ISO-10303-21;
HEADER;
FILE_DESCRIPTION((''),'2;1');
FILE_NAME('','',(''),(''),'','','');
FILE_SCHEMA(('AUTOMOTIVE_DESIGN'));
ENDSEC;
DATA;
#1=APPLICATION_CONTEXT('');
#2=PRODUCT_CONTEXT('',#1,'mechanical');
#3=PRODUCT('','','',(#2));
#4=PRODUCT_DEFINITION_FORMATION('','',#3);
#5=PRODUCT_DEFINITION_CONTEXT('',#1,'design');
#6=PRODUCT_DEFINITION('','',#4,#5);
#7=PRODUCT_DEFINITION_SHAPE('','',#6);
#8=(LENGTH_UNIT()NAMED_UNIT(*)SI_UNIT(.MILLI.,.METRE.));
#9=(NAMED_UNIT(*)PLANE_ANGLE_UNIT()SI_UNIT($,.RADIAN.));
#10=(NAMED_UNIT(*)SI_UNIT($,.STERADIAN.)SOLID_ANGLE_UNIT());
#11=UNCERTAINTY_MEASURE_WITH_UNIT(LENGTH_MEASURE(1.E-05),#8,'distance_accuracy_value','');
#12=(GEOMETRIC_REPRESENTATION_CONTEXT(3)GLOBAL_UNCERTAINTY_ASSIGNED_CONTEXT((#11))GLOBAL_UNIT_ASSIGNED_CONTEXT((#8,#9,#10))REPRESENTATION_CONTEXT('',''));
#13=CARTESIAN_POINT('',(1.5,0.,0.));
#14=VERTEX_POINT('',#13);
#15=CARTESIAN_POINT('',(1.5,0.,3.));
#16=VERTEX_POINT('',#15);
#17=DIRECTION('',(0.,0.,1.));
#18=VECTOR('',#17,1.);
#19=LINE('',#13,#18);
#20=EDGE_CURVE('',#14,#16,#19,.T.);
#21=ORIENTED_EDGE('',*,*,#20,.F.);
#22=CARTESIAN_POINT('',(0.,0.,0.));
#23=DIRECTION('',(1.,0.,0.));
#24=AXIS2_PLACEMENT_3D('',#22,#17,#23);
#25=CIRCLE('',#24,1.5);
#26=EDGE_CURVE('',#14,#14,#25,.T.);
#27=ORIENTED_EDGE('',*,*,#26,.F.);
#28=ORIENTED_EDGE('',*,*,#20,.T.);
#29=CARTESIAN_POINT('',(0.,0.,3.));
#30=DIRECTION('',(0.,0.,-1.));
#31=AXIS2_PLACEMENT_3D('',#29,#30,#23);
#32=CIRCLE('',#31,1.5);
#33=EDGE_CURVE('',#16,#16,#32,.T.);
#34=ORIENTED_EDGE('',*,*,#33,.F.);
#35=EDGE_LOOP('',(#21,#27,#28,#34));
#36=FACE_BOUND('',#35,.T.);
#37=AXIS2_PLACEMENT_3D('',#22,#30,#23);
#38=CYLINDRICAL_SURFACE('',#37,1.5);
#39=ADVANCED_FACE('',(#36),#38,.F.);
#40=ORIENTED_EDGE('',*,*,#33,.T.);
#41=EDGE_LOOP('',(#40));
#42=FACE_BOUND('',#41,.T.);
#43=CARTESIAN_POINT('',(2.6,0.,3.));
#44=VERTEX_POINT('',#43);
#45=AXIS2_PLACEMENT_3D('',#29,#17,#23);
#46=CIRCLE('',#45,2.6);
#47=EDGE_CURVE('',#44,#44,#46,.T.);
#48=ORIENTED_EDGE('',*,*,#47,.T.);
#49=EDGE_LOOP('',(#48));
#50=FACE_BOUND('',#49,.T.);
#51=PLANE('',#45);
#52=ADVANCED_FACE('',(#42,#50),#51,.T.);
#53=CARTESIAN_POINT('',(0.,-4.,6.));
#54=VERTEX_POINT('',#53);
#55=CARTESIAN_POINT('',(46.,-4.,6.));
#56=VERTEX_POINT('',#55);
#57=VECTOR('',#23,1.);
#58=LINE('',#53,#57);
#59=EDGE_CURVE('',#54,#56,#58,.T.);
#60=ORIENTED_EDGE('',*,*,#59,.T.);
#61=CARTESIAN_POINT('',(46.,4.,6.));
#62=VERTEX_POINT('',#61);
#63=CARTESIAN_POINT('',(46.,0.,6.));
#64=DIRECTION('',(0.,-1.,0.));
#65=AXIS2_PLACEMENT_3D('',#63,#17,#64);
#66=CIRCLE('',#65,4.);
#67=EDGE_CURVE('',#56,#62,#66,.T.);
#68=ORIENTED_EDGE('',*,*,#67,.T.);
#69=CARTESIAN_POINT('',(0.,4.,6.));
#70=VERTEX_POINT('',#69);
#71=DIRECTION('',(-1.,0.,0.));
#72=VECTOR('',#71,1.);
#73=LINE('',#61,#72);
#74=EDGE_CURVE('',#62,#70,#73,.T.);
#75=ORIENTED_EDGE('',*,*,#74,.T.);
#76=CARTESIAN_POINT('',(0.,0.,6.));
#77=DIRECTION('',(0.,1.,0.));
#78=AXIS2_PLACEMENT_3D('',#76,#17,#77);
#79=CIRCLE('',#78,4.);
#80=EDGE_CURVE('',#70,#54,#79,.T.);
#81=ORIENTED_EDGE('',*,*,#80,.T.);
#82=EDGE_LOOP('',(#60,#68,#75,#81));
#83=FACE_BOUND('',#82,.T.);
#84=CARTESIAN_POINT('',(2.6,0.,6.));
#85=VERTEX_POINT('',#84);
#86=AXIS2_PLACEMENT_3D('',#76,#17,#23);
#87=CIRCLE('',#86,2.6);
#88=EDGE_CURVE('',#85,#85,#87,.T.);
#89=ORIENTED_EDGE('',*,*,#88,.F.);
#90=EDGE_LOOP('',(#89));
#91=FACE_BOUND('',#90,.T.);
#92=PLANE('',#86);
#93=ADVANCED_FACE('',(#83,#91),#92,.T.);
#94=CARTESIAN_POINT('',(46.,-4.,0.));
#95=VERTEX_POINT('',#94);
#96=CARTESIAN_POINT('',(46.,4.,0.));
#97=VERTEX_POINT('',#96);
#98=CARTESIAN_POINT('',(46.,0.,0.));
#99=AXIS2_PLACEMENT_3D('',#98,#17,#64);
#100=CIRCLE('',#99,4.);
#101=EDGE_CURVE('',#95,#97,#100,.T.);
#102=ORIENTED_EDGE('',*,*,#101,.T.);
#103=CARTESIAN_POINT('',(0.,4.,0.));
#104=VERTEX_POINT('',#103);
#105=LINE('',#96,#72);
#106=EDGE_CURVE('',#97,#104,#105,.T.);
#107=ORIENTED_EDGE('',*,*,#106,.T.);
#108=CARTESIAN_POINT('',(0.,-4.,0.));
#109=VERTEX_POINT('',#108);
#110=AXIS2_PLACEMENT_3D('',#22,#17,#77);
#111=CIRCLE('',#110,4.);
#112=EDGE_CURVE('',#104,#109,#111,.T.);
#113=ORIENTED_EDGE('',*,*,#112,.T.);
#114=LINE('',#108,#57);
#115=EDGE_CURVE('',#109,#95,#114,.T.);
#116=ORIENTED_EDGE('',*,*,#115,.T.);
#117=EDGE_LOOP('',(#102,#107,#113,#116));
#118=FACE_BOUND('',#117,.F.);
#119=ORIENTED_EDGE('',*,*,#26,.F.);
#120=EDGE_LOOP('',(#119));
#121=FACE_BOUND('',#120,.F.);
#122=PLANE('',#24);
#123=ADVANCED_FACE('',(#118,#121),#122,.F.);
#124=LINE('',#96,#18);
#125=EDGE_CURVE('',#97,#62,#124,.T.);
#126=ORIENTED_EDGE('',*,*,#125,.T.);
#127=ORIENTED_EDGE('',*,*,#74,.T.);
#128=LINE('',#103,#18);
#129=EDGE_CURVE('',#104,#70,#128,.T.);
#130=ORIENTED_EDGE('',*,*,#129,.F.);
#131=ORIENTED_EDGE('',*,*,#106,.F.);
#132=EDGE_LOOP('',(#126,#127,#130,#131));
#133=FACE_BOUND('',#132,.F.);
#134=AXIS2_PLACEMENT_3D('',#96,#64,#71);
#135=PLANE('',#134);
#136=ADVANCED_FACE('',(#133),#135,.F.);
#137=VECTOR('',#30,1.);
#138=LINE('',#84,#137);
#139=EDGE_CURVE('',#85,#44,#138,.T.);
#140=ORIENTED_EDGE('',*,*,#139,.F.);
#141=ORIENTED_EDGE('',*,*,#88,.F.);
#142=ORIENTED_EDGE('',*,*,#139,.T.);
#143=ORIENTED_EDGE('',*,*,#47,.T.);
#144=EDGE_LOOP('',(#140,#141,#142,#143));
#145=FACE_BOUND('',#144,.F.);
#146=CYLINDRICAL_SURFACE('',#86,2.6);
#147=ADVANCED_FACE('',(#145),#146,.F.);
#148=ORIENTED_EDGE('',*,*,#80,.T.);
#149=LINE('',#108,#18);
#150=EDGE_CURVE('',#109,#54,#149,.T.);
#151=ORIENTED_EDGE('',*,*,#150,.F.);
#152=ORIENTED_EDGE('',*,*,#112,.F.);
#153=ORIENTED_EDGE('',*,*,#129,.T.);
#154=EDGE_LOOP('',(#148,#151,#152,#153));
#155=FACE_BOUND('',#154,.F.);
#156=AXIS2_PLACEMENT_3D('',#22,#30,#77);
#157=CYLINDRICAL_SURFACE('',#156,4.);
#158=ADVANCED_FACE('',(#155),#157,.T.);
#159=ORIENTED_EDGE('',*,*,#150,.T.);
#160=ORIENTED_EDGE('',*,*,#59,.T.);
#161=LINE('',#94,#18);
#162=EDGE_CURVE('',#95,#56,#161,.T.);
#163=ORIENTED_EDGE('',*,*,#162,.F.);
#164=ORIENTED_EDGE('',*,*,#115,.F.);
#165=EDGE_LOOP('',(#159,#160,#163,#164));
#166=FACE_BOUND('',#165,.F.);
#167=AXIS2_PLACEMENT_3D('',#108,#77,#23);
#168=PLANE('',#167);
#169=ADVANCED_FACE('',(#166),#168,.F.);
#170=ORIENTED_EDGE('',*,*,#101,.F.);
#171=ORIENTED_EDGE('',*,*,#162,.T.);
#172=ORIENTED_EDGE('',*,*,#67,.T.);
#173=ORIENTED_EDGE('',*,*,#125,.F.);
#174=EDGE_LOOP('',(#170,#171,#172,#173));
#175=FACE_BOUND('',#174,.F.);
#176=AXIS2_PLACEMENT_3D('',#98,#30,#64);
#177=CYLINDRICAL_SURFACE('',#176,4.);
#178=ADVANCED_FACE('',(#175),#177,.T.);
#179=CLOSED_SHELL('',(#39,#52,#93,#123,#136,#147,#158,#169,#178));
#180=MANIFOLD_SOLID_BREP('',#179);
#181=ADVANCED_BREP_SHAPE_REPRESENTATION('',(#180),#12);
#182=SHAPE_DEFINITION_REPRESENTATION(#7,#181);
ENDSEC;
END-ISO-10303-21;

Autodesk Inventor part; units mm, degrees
ref_plane "YZ Plane" through (0, 0, 0) normal (1, 0, 0) x (0, 1, 0)
ref_plane "XZ Plane" through (0, 0, 0) normal (0, 1, 0) x (-1, 0, 0)
ref_plane "XY Plane" through (0, 0, 0) normal (0, 0, 1) x (1, 0, 0)
sketch "Sketch1" plane through (0, 0, 0) normal (0, 0, 1) x (1, 0, 0)
  line L0 (0, 0) -> (46, 0) construction
  line L1 (0, -4) -> (46, -4)
  line L2 (46, 4) -> (0, 4)
  arc A0 (0, 4) -> (0, -4) centre (0, 0) ccw
  arc A1 (46, -4) -> (46, 4) centre (46, 0) ccw
  circle A2 centre (0, 0) radius 1.5
  point P0 (23, 0)
  dimension "d0" = 46
  dimension "d1" = 3
extrude "Extrusion1" add sketch "Sketch1" along normal blind 6
sketch "Sketch2" plane through (0, 0, 6) normal (0, 0, 1) x (1, 0, 0)
  circle A0 centre (0, 0) radius 2.6
  dimension "d4" = 5.2
extrude "Extrusion2" cut sketch "Sketch2" against normal blind 3
properties part number "foot"
